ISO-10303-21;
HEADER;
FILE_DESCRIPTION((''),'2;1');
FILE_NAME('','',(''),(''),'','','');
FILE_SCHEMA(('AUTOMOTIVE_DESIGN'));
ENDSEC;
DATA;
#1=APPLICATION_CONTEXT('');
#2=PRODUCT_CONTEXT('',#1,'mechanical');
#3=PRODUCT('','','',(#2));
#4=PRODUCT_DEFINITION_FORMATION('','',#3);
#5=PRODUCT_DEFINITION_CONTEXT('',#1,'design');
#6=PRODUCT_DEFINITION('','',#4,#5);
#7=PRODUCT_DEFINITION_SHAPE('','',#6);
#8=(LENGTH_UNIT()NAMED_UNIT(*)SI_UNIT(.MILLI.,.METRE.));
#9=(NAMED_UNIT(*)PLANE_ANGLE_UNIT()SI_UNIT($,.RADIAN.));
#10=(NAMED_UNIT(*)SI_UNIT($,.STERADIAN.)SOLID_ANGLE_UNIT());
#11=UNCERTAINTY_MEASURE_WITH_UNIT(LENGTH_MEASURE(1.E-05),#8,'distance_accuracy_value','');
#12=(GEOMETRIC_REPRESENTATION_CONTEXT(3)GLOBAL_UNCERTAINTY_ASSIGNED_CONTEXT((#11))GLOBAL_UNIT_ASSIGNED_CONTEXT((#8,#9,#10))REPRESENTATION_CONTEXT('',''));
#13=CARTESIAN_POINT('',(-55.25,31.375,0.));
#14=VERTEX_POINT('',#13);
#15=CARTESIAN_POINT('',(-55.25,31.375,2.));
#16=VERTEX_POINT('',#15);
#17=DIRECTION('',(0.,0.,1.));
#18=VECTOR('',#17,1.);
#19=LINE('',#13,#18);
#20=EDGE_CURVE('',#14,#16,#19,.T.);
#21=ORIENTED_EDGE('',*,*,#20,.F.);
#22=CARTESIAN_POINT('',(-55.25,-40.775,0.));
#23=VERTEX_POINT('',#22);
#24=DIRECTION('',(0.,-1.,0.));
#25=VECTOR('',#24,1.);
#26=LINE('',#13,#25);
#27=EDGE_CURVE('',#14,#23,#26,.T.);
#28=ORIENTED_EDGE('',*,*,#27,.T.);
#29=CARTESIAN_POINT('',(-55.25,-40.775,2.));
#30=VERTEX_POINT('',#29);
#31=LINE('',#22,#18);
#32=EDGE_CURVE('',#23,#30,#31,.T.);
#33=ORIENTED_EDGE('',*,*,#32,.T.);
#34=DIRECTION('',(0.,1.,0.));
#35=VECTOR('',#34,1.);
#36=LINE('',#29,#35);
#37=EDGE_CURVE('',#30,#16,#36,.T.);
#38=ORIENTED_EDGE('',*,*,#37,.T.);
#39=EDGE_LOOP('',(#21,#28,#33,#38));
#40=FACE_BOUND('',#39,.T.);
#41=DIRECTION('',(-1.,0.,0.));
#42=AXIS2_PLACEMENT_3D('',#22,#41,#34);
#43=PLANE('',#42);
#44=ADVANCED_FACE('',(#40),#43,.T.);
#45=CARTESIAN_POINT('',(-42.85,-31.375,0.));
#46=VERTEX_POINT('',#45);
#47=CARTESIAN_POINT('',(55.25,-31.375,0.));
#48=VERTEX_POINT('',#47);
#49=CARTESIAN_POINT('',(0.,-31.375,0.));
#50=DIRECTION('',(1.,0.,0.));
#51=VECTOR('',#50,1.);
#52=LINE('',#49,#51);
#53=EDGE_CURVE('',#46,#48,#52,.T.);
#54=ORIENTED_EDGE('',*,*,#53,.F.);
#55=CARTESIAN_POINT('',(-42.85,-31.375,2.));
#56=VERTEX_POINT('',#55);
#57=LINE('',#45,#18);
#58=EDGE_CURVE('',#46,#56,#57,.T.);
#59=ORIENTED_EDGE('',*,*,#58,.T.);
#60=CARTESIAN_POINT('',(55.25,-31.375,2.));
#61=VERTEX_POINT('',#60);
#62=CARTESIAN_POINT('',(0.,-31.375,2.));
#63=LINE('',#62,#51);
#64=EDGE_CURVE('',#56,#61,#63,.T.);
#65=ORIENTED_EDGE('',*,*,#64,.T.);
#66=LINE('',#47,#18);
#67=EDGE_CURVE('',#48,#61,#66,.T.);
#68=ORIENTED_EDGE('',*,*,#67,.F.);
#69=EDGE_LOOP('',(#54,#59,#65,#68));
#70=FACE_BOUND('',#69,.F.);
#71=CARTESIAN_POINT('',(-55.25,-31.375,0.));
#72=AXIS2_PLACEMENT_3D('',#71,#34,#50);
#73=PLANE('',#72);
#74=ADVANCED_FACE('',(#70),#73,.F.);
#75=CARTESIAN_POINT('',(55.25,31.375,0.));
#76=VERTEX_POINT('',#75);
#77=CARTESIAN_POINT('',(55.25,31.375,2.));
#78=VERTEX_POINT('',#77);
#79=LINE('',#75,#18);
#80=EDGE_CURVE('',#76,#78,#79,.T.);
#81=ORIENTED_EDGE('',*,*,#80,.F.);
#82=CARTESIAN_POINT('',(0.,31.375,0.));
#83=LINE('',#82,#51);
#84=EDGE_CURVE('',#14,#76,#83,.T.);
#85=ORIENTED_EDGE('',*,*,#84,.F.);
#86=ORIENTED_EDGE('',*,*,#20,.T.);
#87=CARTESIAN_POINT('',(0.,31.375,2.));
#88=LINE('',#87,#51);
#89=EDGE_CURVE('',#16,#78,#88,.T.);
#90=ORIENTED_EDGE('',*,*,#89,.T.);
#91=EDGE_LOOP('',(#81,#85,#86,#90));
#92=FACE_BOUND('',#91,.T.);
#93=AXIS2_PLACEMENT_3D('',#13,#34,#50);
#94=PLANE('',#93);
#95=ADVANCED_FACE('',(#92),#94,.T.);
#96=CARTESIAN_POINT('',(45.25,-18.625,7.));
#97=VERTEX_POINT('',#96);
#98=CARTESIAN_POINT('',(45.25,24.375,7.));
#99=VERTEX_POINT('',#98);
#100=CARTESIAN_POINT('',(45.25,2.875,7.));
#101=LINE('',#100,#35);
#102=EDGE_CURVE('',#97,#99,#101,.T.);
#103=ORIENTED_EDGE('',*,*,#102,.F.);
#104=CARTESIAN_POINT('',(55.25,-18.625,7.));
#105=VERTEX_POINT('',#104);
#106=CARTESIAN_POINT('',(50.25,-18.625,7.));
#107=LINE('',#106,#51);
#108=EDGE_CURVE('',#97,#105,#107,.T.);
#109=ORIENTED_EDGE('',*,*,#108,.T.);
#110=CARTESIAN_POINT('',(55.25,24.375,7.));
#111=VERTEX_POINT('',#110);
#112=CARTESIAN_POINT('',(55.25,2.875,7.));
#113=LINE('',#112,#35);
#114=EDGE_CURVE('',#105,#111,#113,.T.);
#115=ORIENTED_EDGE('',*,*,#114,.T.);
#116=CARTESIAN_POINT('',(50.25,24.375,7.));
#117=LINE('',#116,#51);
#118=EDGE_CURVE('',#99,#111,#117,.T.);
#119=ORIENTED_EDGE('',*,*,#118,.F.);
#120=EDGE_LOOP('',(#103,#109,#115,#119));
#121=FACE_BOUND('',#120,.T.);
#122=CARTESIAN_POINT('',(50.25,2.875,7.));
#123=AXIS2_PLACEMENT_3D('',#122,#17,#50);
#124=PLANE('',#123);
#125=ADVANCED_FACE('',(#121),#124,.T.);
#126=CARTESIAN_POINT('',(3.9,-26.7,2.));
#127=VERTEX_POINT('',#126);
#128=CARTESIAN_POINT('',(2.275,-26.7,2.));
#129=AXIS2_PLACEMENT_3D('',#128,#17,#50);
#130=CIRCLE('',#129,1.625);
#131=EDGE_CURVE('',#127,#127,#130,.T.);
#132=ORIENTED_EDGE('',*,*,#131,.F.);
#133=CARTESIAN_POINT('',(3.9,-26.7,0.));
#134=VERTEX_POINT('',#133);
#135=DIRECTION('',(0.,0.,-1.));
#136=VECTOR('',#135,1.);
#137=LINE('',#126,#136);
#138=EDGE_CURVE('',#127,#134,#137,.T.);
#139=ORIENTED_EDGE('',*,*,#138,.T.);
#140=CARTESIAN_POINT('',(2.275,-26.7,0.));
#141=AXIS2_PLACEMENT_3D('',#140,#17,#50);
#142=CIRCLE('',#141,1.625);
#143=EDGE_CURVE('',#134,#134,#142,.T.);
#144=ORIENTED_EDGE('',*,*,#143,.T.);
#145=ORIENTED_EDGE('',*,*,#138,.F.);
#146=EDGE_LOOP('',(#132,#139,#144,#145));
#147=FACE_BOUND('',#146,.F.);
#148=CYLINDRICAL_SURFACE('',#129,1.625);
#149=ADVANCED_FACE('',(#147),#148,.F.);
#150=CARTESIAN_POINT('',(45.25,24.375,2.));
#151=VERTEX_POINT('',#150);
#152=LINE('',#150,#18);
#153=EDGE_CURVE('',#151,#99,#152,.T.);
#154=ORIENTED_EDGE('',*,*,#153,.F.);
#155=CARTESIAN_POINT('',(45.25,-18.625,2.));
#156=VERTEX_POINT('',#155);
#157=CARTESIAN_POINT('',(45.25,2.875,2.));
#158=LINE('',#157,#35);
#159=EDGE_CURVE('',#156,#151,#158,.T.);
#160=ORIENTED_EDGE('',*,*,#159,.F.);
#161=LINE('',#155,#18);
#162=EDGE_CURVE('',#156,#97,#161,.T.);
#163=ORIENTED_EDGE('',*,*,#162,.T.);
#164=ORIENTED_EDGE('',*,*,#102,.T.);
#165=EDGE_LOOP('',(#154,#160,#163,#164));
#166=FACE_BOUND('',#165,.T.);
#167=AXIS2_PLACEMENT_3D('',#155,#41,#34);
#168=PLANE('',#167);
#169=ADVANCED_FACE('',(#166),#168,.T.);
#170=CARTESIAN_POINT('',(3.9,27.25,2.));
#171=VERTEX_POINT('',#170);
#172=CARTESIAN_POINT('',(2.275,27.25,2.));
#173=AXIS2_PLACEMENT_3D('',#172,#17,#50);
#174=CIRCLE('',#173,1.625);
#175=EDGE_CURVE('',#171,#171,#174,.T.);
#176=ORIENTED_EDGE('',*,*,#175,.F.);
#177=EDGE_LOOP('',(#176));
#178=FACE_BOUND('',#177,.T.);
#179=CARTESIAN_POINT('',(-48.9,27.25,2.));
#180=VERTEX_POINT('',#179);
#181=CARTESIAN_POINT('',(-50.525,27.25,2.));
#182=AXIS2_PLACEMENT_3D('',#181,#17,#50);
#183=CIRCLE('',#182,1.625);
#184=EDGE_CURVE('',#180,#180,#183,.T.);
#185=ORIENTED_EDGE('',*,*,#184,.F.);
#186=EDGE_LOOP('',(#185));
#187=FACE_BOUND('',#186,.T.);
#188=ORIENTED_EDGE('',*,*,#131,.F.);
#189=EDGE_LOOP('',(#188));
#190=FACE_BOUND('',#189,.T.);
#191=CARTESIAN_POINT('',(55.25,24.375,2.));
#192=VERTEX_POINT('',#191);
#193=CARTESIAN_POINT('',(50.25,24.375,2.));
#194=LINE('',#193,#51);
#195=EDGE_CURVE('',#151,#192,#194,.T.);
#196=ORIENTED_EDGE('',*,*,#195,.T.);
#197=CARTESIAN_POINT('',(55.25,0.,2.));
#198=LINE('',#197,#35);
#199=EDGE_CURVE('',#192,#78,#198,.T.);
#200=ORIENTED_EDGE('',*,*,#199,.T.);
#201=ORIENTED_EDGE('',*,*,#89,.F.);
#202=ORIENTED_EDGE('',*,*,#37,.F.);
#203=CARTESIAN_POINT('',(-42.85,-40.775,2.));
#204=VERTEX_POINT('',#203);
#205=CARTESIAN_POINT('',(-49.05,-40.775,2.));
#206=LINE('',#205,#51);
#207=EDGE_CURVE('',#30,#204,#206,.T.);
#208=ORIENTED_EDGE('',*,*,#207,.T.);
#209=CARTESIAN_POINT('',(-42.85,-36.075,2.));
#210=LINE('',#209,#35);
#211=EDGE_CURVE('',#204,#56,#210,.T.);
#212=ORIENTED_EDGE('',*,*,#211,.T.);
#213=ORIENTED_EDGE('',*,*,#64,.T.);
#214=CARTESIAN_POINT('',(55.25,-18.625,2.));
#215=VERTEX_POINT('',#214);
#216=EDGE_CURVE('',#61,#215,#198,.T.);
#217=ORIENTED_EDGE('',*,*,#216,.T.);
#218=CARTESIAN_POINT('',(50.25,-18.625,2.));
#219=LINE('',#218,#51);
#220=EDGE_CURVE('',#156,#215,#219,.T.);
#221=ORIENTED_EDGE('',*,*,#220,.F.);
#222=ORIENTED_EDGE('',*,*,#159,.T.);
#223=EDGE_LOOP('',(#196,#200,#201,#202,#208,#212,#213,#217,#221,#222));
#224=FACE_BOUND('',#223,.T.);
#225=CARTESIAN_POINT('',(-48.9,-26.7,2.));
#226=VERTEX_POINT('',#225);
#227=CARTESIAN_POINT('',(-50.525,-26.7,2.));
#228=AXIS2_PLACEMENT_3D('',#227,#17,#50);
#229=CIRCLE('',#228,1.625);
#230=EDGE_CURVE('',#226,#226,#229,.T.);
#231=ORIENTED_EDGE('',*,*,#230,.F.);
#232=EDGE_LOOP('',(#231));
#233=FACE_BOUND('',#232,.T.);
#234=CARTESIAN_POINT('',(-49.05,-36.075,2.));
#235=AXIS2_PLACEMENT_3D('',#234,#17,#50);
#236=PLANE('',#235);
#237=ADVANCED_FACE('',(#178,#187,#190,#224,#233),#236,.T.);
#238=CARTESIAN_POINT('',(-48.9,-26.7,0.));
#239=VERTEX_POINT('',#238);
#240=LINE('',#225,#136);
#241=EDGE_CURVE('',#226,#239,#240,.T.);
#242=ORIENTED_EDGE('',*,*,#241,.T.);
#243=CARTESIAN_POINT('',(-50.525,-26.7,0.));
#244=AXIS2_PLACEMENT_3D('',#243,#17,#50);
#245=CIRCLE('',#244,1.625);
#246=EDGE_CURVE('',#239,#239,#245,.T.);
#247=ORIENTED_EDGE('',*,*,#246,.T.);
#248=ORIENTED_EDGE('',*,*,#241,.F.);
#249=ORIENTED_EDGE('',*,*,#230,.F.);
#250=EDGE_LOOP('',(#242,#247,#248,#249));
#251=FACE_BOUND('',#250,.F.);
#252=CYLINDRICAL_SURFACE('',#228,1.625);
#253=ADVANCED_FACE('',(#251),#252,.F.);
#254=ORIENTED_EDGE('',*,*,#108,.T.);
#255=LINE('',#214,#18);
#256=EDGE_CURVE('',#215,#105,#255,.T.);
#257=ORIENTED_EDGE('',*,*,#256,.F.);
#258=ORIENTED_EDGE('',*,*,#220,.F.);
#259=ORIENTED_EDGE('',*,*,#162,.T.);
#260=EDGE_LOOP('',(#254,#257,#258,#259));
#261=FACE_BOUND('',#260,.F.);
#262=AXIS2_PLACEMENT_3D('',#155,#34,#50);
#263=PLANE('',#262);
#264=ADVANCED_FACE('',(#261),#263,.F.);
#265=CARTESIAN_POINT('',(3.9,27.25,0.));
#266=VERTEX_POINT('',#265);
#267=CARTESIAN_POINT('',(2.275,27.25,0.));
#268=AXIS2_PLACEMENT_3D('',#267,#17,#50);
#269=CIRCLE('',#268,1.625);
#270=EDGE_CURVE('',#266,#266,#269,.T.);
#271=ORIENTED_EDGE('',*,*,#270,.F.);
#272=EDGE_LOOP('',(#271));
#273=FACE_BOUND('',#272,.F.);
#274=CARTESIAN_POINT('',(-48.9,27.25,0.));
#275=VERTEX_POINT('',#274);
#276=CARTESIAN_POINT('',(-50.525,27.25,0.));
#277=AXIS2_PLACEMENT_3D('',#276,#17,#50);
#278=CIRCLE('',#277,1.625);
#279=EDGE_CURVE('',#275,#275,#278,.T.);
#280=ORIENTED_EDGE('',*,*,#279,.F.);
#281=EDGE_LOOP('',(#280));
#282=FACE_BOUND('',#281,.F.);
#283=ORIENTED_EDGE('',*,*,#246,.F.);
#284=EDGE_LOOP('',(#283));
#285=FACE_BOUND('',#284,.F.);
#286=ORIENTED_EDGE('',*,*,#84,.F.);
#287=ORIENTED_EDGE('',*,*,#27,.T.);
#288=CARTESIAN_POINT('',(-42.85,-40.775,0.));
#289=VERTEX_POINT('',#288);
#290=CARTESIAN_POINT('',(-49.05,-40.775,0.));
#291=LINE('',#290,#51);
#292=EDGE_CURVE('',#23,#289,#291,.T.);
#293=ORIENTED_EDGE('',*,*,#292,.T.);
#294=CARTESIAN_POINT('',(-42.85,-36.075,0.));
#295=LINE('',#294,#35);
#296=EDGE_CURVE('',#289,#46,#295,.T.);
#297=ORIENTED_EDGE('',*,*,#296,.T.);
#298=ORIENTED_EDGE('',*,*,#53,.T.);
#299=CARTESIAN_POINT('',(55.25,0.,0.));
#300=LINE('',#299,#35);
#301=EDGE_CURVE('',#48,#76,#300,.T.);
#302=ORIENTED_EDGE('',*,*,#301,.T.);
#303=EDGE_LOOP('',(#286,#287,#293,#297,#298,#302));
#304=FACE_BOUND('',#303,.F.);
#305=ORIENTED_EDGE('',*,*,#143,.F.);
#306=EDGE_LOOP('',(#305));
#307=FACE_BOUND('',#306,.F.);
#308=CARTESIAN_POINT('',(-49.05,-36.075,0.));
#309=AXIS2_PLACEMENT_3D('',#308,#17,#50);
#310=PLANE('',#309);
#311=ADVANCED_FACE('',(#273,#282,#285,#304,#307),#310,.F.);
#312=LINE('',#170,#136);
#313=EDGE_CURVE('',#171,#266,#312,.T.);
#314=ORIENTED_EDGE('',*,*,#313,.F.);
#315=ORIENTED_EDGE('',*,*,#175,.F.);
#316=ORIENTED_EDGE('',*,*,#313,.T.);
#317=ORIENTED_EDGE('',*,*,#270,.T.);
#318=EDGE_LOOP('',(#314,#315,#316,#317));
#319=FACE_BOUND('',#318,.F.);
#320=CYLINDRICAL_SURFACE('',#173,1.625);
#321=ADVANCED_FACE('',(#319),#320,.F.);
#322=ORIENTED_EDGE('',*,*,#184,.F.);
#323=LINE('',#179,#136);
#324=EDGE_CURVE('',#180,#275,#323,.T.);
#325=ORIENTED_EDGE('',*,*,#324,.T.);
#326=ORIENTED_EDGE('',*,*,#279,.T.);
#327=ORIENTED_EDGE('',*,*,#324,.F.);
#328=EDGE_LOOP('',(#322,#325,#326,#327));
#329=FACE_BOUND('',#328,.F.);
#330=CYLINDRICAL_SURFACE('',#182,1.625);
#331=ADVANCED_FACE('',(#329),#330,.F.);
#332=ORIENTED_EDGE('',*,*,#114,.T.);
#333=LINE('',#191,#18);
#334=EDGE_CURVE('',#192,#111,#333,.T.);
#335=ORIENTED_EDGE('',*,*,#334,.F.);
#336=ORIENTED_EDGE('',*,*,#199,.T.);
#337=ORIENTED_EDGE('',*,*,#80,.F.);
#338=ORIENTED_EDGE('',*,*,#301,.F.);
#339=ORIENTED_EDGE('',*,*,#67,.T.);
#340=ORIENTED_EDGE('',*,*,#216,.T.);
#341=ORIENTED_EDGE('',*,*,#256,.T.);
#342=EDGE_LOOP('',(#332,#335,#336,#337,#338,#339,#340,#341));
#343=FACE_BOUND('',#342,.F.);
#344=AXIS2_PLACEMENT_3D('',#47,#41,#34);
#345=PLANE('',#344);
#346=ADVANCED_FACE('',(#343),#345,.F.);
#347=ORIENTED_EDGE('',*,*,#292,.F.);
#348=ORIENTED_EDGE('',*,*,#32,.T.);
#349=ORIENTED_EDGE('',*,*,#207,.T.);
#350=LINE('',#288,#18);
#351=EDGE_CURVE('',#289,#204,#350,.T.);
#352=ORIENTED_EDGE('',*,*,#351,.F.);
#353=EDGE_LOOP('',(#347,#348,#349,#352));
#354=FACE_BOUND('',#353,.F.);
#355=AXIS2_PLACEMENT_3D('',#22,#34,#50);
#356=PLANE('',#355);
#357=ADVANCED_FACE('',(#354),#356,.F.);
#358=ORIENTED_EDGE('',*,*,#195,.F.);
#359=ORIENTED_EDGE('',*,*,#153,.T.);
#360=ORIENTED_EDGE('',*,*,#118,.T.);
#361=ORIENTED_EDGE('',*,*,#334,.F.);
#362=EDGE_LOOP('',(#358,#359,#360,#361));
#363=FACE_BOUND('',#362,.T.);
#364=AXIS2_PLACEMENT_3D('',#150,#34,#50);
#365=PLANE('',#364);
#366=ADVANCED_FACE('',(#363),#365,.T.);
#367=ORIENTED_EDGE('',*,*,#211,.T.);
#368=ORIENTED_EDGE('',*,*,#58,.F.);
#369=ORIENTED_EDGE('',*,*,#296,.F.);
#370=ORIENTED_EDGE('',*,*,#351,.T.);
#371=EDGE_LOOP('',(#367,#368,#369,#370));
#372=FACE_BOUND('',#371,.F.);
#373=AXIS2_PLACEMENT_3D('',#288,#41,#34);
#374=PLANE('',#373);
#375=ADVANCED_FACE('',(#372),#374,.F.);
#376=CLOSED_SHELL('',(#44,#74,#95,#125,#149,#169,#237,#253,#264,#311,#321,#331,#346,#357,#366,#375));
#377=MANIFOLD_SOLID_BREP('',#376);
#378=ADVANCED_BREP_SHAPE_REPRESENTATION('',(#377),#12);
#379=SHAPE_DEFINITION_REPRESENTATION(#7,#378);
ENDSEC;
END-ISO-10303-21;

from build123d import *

# Parameters (mm, degrees)
F0_W     = 110.5
F0_H     = 62.75
F1_DEPTH = 2
F2_W     = 12.4
F2_H     = 9.4
F3_DEPTH = 2
F4_R     = 1.625
F5_DEPTH = 2.001
F6_W     = 10
F6_H     = 43
F7_DEPTH = 5


with BuildPart() as f1:
    # F0 (on Top) → F1 (new body)
    with BuildSketch(Plane.XY):
        Rectangle(F0_W, F0_H)
    extrude(amount=F1_DEPTH)

    # F2 (on Top) → F3 (join, through all)
    with BuildSketch(Plane.XY):
        with Locations((-49.05, -36.075)):
            Rectangle(F2_W, F2_H)
    extrude(amount=F3_DEPTH)

    # F4 (on face) → F5 (cut, through all)
    with BuildSketch(Plane.XY.offset(2)):
        with Locations((-50.525, 27.25)):
            Circle(F4_R)
        with Locations((2.275, 27.25)):
            Circle(F4_R)
        with Locations((2.275, -26.7)):
            Circle(F4_R)
        with Locations((-50.525, -26.7)):
            Circle(F4_R)
    extrude(amount=-F5_DEPTH, mode=Mode.SUBTRACT)

    # F6 (on face) → F7 (join)
    with BuildSketch(Plane.XY.offset(2)):
        with Locations((50.25, 2.875)):
            Rectangle(F6_W, F6_H)
    extrude(amount=F7_DEPTH)


solid = f1.part
